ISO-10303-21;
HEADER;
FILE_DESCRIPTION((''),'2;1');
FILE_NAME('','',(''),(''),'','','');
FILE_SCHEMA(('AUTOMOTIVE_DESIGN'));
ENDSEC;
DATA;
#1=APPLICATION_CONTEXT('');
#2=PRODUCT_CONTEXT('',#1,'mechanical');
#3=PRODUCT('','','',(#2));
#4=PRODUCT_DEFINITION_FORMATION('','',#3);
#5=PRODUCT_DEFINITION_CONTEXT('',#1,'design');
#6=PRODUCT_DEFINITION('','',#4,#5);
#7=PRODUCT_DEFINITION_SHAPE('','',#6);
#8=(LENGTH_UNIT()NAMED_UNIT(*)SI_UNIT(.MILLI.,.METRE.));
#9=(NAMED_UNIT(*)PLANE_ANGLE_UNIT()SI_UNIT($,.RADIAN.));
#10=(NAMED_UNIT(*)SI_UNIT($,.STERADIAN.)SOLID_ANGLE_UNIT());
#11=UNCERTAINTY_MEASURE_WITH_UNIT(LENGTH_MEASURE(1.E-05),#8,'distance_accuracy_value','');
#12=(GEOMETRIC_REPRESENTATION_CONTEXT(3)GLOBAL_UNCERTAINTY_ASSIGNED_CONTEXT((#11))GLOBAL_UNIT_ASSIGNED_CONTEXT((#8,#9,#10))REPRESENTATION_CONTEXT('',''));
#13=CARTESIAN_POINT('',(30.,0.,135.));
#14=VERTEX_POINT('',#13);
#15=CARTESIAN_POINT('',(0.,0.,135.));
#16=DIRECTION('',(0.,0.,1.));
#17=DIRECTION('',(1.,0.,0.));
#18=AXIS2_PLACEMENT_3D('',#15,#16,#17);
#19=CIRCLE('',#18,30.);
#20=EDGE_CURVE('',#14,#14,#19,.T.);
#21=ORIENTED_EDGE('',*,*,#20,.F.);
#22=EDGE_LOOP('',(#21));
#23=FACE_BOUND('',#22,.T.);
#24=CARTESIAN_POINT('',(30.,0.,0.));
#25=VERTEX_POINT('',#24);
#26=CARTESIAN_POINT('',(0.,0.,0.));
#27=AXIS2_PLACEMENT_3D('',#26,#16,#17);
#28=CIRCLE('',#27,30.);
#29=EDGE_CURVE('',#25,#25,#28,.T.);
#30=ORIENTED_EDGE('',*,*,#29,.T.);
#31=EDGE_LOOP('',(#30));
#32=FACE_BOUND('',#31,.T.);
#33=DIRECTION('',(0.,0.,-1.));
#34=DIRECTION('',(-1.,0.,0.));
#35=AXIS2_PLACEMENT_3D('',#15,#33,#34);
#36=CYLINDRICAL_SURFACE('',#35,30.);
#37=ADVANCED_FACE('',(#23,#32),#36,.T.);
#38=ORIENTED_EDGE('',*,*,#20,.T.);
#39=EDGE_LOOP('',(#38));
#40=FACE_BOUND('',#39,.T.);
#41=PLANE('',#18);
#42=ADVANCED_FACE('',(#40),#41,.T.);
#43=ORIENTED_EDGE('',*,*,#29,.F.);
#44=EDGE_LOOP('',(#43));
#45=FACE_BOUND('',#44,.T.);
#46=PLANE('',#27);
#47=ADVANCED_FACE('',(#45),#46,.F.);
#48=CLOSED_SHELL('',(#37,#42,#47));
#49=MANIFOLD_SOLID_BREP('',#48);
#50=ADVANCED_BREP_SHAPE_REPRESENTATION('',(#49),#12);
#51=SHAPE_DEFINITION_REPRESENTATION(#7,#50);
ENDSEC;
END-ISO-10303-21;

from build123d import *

# Parameters (mm, degrees)
SKETCH_1_R      = 30
EXTRUDE_1_DEPTH = 135


with BuildPart() as part:
    # 草图1 → 凸台-拉伸1 (new body)
    with BuildSketch(Plane.XY):
        Circle(SKETCH_1_R)
    extrude(amount=EXTRUDE_1_DEPTH)


solid = part.part
